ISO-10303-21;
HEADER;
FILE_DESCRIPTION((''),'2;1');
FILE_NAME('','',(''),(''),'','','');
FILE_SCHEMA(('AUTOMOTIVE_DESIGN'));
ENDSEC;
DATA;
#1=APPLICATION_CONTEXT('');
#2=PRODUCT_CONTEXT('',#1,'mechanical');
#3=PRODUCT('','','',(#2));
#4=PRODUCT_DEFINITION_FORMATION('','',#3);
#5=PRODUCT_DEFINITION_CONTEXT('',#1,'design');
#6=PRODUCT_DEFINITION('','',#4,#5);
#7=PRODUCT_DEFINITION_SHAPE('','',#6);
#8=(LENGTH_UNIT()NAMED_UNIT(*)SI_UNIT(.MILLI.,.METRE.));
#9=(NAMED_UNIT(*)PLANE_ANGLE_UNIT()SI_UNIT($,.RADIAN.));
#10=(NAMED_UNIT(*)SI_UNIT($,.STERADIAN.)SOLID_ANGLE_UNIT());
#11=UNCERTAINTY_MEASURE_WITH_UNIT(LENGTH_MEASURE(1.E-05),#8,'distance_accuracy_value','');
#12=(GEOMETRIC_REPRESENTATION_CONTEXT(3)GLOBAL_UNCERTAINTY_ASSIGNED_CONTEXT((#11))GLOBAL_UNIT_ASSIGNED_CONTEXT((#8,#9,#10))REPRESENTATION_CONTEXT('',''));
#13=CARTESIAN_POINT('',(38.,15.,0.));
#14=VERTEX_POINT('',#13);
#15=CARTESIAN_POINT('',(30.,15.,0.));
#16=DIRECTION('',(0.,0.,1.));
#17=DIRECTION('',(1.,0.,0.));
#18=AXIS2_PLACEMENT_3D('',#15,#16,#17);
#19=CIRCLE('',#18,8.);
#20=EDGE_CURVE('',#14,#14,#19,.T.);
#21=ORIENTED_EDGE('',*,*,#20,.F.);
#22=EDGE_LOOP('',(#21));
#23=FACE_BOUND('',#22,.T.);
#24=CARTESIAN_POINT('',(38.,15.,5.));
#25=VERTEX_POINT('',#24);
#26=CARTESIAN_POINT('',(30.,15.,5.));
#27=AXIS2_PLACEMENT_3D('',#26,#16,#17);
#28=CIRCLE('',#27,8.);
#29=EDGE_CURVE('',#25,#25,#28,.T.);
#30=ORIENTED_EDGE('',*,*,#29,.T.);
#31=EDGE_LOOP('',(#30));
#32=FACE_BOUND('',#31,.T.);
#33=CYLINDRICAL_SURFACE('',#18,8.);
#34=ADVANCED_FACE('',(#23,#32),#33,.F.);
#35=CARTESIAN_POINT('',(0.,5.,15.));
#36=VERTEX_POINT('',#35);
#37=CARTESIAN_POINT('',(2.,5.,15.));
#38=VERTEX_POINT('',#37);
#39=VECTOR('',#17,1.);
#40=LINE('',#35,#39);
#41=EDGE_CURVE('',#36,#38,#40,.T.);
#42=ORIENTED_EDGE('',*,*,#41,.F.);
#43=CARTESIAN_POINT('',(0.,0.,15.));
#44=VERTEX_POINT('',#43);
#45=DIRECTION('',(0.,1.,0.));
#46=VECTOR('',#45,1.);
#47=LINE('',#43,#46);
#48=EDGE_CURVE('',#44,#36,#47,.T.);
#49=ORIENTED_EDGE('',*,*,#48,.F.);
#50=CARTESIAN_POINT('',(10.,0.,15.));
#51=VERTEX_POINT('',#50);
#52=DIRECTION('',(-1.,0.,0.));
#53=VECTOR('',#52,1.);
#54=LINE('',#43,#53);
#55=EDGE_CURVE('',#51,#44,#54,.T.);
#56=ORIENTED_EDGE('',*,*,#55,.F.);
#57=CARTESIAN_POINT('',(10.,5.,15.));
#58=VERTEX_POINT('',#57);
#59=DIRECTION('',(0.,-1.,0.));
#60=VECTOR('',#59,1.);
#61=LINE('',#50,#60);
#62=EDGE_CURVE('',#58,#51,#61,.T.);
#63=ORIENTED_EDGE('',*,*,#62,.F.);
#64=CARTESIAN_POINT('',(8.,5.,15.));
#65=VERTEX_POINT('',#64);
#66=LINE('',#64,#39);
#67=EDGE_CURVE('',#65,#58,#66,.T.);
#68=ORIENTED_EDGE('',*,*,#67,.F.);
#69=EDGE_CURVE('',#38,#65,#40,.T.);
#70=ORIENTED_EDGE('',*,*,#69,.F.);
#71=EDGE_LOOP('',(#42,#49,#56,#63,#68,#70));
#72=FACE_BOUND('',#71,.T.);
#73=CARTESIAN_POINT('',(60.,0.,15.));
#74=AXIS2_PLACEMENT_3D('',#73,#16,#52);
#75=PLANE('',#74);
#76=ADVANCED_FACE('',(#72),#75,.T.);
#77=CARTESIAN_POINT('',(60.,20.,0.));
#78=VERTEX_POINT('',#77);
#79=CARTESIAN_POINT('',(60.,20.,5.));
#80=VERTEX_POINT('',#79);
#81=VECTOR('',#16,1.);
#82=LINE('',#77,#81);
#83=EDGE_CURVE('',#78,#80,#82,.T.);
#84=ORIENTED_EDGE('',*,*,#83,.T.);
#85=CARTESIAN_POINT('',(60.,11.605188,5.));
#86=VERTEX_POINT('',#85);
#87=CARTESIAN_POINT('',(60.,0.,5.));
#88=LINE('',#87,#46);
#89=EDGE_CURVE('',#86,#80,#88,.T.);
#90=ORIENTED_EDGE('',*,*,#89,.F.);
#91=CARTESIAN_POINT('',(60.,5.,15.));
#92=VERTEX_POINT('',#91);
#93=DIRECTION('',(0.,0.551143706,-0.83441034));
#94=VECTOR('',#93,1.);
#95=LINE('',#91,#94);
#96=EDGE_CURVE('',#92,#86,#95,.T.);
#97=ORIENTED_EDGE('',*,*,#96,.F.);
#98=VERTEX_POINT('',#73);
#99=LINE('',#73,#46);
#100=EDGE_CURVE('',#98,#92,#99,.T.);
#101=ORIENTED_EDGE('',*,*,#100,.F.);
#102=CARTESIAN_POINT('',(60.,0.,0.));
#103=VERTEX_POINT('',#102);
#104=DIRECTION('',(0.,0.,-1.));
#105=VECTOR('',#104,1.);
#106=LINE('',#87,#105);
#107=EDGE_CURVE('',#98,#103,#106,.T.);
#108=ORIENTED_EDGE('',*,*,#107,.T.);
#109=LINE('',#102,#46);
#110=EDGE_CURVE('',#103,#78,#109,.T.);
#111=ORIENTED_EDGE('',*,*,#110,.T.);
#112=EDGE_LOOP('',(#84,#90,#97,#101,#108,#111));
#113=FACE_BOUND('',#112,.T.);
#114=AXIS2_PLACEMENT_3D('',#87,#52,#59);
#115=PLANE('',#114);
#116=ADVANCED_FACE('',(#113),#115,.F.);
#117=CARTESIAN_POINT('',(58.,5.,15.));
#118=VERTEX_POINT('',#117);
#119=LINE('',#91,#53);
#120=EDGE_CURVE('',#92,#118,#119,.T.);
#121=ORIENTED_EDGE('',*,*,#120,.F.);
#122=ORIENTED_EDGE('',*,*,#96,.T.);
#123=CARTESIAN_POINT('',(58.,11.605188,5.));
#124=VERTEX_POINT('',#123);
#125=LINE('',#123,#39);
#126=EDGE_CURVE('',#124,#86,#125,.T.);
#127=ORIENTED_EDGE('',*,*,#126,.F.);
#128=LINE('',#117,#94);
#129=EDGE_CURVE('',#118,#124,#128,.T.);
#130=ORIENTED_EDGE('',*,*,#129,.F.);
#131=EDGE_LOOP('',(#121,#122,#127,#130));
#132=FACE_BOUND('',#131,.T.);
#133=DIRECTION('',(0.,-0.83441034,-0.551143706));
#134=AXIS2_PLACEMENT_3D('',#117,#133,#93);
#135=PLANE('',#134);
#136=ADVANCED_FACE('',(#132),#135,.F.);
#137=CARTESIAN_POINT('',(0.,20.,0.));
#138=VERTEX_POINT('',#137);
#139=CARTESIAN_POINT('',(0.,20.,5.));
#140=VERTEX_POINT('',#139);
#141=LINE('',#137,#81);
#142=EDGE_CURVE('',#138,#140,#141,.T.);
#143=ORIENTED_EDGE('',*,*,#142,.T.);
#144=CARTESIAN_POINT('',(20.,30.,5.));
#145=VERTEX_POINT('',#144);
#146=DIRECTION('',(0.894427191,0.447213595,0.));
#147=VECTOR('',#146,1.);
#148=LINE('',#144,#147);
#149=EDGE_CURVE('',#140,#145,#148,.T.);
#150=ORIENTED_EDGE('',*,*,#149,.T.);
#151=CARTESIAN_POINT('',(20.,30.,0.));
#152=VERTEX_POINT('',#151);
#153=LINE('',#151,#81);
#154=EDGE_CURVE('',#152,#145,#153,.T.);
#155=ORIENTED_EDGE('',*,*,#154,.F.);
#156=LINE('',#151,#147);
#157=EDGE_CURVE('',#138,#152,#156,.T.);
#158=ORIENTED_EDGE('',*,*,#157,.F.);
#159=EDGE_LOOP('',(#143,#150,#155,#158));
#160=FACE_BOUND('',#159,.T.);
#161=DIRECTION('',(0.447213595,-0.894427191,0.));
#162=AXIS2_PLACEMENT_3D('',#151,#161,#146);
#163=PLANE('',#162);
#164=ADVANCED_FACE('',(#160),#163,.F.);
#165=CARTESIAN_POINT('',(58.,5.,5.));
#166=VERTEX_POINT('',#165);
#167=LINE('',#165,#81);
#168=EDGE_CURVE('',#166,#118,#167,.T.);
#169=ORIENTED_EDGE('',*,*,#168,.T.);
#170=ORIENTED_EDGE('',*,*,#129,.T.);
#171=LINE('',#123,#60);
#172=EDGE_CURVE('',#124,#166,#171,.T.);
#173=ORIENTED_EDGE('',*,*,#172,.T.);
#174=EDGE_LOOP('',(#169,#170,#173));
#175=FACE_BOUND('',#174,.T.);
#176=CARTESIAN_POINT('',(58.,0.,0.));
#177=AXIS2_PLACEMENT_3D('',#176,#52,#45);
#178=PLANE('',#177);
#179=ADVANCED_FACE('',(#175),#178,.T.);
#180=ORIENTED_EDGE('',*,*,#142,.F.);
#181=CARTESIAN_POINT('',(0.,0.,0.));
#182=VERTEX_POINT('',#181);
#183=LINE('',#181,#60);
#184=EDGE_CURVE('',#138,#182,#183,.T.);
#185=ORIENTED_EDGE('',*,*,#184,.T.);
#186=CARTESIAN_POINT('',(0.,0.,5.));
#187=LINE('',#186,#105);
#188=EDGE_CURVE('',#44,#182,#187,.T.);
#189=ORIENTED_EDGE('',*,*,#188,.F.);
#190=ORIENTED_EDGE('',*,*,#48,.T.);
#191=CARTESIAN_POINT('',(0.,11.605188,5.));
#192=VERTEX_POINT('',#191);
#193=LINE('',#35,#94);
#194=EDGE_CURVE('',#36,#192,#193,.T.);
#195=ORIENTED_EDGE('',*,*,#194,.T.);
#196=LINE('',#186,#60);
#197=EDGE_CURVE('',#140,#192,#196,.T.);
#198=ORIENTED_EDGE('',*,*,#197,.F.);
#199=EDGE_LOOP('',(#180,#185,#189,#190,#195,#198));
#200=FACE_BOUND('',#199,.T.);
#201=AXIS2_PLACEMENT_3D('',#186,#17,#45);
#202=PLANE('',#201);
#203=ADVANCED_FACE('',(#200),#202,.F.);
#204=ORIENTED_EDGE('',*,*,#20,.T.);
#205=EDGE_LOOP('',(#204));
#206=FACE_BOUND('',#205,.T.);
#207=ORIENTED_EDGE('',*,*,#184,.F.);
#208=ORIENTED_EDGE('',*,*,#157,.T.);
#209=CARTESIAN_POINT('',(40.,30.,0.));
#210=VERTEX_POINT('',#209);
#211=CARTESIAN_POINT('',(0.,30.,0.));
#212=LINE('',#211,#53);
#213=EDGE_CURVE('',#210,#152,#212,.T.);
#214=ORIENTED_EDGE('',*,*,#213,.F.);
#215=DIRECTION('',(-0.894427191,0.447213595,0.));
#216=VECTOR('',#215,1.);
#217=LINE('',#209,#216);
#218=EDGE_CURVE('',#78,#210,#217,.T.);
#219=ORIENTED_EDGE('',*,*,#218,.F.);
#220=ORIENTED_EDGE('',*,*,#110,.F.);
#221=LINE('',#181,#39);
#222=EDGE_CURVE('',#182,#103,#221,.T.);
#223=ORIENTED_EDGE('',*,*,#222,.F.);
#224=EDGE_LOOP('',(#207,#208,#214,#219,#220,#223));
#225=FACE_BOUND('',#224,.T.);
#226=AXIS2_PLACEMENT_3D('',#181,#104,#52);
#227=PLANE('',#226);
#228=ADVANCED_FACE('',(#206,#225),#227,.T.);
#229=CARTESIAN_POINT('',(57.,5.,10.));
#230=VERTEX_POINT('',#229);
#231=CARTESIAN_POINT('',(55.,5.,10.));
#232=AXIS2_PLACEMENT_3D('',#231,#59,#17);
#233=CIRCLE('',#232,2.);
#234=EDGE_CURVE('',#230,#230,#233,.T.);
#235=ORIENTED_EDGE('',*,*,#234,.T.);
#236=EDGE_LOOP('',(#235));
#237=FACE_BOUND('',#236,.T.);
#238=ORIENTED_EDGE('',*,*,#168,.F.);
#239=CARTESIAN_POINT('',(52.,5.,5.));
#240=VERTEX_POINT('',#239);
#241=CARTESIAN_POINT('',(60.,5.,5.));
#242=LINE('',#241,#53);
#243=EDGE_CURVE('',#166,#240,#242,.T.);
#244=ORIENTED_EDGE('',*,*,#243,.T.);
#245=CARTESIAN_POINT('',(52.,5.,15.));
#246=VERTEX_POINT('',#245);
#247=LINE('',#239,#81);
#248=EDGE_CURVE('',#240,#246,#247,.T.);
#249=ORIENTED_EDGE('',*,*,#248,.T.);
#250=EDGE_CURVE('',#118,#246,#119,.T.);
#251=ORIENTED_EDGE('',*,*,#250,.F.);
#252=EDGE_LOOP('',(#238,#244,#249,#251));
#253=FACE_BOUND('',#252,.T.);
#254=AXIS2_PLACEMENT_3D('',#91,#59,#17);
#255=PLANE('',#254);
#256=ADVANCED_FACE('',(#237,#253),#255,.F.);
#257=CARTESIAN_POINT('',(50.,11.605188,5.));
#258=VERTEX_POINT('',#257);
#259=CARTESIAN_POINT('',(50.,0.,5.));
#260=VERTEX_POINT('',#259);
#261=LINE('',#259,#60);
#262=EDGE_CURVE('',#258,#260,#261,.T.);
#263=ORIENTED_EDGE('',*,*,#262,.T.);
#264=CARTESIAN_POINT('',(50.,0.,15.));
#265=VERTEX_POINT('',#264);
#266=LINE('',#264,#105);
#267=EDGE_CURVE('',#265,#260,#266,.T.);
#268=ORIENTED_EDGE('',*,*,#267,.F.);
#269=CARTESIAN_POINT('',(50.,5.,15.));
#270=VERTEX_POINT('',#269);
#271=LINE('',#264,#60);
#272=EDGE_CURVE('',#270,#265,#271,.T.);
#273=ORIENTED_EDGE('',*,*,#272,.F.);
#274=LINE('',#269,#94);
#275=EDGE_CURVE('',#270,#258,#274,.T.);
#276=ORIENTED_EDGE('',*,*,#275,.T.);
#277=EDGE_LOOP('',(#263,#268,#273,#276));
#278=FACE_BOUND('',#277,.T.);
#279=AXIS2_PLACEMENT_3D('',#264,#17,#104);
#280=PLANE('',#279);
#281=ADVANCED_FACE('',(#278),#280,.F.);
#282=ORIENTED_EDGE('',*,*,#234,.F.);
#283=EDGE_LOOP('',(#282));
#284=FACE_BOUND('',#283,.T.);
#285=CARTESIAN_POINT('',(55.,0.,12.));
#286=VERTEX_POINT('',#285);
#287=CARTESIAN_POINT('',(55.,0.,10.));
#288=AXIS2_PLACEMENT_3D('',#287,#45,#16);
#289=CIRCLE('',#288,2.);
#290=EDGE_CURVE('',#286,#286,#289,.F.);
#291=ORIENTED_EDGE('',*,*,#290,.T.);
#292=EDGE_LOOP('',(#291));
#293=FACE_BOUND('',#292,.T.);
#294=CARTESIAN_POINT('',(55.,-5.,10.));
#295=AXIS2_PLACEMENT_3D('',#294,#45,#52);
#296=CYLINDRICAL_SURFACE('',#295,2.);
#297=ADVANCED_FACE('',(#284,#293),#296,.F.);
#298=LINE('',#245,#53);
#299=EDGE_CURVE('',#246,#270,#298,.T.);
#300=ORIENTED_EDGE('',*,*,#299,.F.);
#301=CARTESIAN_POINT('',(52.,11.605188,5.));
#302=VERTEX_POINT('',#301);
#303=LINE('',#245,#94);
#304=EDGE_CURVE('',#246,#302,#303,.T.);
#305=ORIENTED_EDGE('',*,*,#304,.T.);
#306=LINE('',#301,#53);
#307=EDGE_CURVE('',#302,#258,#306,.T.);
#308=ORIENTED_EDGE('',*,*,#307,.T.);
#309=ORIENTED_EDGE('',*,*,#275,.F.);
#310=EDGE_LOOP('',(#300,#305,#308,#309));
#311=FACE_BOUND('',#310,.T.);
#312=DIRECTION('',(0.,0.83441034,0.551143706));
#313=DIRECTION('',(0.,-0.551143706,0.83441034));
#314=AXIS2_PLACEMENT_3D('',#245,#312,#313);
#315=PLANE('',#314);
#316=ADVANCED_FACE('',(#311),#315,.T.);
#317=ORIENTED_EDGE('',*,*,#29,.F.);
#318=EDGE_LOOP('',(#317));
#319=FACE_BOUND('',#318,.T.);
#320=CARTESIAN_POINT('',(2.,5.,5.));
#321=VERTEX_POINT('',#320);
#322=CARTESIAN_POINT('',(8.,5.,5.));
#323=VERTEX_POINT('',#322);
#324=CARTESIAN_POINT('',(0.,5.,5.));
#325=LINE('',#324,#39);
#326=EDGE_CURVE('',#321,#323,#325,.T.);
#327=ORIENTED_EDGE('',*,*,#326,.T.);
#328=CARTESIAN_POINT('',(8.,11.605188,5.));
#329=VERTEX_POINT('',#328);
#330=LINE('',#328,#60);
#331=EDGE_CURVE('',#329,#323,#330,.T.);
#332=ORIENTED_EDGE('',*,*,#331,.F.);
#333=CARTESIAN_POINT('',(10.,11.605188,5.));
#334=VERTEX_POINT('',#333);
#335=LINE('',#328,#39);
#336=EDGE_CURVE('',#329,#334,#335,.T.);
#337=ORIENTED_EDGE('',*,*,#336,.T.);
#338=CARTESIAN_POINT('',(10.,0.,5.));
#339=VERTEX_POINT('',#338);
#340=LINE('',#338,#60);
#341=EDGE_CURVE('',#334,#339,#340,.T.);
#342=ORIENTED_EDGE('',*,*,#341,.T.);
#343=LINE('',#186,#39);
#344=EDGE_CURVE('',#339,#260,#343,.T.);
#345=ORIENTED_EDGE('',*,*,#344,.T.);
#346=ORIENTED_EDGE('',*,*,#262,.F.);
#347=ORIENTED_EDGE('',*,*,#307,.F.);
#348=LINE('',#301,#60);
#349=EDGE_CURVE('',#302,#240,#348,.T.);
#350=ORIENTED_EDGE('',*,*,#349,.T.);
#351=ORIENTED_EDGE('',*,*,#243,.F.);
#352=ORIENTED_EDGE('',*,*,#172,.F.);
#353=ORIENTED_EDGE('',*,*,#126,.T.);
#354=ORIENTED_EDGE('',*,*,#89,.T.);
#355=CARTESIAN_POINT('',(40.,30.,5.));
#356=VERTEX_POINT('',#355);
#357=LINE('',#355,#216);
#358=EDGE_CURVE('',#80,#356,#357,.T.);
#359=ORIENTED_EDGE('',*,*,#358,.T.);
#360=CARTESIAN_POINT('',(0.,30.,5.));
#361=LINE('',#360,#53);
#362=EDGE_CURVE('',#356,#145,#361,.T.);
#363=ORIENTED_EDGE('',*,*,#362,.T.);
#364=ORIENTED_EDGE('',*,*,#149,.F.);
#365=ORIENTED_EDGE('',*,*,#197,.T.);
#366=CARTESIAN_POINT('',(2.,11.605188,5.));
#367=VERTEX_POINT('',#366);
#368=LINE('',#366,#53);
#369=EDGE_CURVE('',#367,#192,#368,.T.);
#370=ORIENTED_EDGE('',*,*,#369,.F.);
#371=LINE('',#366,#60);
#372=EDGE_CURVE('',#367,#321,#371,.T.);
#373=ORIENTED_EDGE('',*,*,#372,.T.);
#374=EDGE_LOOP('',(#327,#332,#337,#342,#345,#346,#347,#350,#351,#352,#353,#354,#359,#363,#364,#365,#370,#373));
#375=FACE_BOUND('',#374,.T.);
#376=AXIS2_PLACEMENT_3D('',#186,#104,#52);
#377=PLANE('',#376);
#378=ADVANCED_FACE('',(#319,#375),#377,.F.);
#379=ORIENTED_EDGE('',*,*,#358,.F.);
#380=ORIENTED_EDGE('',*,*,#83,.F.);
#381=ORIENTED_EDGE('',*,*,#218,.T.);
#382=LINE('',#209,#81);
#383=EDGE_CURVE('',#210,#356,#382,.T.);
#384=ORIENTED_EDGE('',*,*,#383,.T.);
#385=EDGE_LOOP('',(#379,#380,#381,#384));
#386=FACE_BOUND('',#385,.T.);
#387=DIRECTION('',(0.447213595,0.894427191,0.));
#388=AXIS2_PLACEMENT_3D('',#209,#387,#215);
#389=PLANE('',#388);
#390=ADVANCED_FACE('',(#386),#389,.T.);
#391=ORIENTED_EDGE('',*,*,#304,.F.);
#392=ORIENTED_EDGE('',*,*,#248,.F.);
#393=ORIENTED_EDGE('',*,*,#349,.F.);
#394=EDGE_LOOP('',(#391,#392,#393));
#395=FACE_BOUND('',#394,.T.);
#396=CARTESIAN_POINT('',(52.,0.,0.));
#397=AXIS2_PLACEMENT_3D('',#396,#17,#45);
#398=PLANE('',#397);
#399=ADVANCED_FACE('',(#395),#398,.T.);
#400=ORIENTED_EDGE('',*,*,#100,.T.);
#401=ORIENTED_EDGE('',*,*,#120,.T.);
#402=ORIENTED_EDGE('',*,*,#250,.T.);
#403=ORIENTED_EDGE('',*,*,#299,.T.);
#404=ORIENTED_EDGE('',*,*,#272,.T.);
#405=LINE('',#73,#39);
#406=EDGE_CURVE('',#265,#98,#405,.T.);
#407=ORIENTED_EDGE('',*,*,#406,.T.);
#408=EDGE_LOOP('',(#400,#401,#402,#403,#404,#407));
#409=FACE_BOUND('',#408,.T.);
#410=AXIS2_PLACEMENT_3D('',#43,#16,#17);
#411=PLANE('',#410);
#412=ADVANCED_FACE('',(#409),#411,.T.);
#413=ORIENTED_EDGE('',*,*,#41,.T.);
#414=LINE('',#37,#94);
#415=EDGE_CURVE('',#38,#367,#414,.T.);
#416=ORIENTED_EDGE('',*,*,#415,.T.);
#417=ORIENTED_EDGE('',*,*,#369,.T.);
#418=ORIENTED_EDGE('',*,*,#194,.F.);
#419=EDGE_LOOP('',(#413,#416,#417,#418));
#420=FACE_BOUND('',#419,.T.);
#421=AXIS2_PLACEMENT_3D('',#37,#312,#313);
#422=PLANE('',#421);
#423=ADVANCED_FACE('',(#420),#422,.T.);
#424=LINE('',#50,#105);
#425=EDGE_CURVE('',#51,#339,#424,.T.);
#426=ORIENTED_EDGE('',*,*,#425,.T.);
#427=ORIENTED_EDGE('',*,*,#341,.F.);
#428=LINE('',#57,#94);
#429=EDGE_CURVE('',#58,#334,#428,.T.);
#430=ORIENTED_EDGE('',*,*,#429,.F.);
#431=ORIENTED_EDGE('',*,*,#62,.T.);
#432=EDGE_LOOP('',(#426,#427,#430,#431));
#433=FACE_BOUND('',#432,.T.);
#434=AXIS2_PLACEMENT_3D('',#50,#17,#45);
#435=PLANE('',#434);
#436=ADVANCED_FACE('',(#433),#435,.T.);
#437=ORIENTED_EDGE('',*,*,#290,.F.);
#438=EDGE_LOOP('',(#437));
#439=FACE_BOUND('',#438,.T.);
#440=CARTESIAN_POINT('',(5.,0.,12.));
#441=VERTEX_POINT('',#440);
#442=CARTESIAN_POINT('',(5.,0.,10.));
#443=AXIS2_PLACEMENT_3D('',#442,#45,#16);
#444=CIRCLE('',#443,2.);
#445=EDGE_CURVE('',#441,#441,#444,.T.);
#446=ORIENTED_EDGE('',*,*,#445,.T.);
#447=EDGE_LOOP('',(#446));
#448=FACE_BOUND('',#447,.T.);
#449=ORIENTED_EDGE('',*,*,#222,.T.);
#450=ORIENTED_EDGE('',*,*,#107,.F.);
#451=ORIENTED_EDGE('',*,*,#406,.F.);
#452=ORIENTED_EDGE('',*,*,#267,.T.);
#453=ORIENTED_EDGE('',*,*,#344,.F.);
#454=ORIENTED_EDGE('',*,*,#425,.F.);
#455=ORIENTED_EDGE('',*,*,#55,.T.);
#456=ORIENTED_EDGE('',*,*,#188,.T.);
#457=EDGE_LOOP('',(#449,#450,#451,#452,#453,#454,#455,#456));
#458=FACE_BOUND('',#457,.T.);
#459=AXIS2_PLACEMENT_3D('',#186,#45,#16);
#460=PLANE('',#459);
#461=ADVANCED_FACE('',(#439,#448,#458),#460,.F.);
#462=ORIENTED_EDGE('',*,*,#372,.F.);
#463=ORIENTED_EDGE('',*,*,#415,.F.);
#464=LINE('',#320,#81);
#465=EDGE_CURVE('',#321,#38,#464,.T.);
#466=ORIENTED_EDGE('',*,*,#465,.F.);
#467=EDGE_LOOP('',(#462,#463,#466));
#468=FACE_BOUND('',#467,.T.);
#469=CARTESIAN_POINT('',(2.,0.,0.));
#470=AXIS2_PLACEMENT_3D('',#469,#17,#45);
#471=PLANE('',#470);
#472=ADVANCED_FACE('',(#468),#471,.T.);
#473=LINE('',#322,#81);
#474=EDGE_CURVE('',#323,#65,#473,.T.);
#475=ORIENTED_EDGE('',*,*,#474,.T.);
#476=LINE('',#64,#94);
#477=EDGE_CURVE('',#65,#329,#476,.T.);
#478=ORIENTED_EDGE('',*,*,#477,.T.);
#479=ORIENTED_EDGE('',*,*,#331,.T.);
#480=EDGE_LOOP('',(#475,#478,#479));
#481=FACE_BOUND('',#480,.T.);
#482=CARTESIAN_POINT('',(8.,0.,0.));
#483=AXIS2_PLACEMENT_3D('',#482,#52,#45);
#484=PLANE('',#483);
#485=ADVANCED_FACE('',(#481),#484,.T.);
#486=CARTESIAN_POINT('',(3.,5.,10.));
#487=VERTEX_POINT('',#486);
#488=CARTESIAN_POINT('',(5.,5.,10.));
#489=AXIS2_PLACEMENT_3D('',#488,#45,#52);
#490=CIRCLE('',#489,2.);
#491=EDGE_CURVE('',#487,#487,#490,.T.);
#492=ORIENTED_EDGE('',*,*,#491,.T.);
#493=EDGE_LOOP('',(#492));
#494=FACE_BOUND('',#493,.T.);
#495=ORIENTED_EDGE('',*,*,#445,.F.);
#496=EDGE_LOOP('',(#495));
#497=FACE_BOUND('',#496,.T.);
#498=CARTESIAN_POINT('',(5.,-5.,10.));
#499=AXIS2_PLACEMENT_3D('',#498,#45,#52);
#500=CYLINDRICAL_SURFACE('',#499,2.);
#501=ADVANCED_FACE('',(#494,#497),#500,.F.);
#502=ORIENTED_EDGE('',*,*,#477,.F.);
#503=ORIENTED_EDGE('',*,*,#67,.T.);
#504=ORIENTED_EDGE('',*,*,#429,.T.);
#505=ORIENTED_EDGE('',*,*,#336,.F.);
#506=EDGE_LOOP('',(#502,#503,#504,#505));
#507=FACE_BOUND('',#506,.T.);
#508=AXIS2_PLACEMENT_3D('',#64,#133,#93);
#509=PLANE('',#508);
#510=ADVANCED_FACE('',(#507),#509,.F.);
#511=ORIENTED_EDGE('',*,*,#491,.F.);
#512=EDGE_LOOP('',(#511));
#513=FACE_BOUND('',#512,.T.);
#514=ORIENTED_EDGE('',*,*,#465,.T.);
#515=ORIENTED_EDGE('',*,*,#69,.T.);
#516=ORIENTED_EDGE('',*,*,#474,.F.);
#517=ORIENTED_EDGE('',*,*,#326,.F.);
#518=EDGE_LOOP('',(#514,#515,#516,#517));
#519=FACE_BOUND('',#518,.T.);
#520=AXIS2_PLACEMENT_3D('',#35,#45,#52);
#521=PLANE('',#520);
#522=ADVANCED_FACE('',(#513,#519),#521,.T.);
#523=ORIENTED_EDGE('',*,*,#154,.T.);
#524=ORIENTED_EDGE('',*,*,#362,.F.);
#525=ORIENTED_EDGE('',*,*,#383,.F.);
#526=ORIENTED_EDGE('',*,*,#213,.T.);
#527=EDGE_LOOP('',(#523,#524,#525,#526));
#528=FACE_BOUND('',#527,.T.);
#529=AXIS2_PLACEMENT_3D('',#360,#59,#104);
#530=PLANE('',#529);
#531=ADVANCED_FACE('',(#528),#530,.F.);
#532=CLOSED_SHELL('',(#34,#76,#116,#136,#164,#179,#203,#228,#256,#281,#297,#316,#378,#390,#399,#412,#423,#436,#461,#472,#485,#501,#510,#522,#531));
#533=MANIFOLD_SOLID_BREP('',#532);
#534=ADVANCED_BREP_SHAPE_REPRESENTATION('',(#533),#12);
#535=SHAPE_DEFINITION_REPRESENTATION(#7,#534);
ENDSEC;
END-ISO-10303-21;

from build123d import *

# Parameters (mm, degrees)
ESQUISSE1_W             = 60
ESQUISSE1_H             = 30
BOSS_EXTRU_1_DEPTH      = 5
ESQUISSE2_R             = 8
ENL_V_MAT_EXTRU_1_DEPTH = 5
ESQUISSE4_W             = 10
ESQUISSE4_H             = 5
BOSS_EXTRU_2_DEPTH      = 10
ESQUISSE6_R             = 2
ENL_V_MAT_EXTRU_2_DEPTH = 10
BOSS_EXTRU_3_DEPTH      = 2
SYM_TRIE4_COPY_1_DEPTH  = 2
ENL_V_MAT_EXTRU_3_DEPTH = 68.823299831


with BuildPart() as part:
    # Esquisse1 → Boss.-Extru.1 (new body)
    with BuildSketch(Plane.XY):
        with Locations((30, 15)):
            Rectangle(ESQUISSE1_W, ESQUISSE1_H)
    extrude(amount=BOSS_EXTRU_1_DEPTH)

    # Esquisse2 → Enlèv. mat.-Extru.1 (cut)
    with BuildSketch(Plane.XY.offset(5)):
        with Locations((30, 15)):
            Circle(ESQUISSE2_R)
    extrude(amount=-ENL_V_MAT_EXTRU_1_DEPTH, mode=Mode.SUBTRACT)

    # Esquisse4 → Boss.-Extru.2 (add)
    with BuildSketch(Plane.XY.offset(5)):
        with Locations((55, 2.5)):
            Rectangle(ESQUISSE4_W, ESQUISSE4_H)
    boss_extru_2 = extrude(amount=BOSS_EXTRU_2_DEPTH)

    # Symétrie1: Boss.-Extru.2 across plane
    add(boss_extru_2.mirror(Plane(origin=(30, 0, 0), x_dir=(0, 0, 1), z_dir=(1, 0, 0))))

    # Esquisse6 → Enlèv. mat.-Extru.2 (cut)
    with BuildSketch(Plane(origin=(0, 5, 0), x_dir=(1, 0, 0), z_dir=(0, 1, 0))):
        with Locations(Location((5, -10, 0), (0, 0, 180))):
            Circle(ESQUISSE6_R)
    enl_v_mat_extru_2 = extrude(amount=-ENL_V_MAT_EXTRU_2_DEPTH, mode=Mode.SUBTRACT)

    # Symétrie2: Enlèv. mat.-Extru.2 across plane
    add(enl_v_mat_extru_2.mirror(Plane(origin=(30, 0, 0), x_dir=(0, 0, 1), z_dir=(1, 0, 0))), mode=Mode.SUBTRACT)

    # Esquisse13 → Boss.-Extru.3 (add)
    with BuildSketch(Plane.ZY):
        Polygon((15, 5), (5, 11.605187872), (5, 5), align=None)
    boss_extru_3 = extrude(amount=-BOSS_EXTRU_3_DEPTH)

    # Symétrie3: Boss.-Extru.3 across plane
    add(boss_extru_3.mirror(Plane.ZY.offset(-5)))

    # Symétrie4: Boss.-Extru.3 across plane
    add(boss_extru_3.mirror(Plane(origin=(30, 0, 0), x_dir=(0, 0, 1), z_dir=(1, 0, 0))))

    # Symétrie4 copy 1 sketch → Symétrie4 copy 1 (add)
    with BuildSketch(Plane.ZY.offset(-50)):
        Polygon((15, 5), (5, 11.605187872), (5, 5), align=None)
    extrude(amount=-SYM_TRIE4_COPY_1_DEPTH)

    # Esquisse14 → Enlèv. mat.-Extru.3 (cut, through all)
    with BuildSketch(Plane.XY.offset(5)):
        Polygon((20, 30), (0, 20), (0, 30), align=None)
    enl_v_mat_extru_3 = extrude(amount=-ENL_V_MAT_EXTRU_3_DEPTH, mode=Mode.SUBTRACT)

    # Symétrie5: Enlèv. mat.-Extru.3 across plane
    add(enl_v_mat_extru_3.mirror(Plane(origin=(30, 0, 0), x_dir=(0, 0, 1), z_dir=(1, 0, 0))), mode=Mode.SUBTRACT)


solid = part.part
